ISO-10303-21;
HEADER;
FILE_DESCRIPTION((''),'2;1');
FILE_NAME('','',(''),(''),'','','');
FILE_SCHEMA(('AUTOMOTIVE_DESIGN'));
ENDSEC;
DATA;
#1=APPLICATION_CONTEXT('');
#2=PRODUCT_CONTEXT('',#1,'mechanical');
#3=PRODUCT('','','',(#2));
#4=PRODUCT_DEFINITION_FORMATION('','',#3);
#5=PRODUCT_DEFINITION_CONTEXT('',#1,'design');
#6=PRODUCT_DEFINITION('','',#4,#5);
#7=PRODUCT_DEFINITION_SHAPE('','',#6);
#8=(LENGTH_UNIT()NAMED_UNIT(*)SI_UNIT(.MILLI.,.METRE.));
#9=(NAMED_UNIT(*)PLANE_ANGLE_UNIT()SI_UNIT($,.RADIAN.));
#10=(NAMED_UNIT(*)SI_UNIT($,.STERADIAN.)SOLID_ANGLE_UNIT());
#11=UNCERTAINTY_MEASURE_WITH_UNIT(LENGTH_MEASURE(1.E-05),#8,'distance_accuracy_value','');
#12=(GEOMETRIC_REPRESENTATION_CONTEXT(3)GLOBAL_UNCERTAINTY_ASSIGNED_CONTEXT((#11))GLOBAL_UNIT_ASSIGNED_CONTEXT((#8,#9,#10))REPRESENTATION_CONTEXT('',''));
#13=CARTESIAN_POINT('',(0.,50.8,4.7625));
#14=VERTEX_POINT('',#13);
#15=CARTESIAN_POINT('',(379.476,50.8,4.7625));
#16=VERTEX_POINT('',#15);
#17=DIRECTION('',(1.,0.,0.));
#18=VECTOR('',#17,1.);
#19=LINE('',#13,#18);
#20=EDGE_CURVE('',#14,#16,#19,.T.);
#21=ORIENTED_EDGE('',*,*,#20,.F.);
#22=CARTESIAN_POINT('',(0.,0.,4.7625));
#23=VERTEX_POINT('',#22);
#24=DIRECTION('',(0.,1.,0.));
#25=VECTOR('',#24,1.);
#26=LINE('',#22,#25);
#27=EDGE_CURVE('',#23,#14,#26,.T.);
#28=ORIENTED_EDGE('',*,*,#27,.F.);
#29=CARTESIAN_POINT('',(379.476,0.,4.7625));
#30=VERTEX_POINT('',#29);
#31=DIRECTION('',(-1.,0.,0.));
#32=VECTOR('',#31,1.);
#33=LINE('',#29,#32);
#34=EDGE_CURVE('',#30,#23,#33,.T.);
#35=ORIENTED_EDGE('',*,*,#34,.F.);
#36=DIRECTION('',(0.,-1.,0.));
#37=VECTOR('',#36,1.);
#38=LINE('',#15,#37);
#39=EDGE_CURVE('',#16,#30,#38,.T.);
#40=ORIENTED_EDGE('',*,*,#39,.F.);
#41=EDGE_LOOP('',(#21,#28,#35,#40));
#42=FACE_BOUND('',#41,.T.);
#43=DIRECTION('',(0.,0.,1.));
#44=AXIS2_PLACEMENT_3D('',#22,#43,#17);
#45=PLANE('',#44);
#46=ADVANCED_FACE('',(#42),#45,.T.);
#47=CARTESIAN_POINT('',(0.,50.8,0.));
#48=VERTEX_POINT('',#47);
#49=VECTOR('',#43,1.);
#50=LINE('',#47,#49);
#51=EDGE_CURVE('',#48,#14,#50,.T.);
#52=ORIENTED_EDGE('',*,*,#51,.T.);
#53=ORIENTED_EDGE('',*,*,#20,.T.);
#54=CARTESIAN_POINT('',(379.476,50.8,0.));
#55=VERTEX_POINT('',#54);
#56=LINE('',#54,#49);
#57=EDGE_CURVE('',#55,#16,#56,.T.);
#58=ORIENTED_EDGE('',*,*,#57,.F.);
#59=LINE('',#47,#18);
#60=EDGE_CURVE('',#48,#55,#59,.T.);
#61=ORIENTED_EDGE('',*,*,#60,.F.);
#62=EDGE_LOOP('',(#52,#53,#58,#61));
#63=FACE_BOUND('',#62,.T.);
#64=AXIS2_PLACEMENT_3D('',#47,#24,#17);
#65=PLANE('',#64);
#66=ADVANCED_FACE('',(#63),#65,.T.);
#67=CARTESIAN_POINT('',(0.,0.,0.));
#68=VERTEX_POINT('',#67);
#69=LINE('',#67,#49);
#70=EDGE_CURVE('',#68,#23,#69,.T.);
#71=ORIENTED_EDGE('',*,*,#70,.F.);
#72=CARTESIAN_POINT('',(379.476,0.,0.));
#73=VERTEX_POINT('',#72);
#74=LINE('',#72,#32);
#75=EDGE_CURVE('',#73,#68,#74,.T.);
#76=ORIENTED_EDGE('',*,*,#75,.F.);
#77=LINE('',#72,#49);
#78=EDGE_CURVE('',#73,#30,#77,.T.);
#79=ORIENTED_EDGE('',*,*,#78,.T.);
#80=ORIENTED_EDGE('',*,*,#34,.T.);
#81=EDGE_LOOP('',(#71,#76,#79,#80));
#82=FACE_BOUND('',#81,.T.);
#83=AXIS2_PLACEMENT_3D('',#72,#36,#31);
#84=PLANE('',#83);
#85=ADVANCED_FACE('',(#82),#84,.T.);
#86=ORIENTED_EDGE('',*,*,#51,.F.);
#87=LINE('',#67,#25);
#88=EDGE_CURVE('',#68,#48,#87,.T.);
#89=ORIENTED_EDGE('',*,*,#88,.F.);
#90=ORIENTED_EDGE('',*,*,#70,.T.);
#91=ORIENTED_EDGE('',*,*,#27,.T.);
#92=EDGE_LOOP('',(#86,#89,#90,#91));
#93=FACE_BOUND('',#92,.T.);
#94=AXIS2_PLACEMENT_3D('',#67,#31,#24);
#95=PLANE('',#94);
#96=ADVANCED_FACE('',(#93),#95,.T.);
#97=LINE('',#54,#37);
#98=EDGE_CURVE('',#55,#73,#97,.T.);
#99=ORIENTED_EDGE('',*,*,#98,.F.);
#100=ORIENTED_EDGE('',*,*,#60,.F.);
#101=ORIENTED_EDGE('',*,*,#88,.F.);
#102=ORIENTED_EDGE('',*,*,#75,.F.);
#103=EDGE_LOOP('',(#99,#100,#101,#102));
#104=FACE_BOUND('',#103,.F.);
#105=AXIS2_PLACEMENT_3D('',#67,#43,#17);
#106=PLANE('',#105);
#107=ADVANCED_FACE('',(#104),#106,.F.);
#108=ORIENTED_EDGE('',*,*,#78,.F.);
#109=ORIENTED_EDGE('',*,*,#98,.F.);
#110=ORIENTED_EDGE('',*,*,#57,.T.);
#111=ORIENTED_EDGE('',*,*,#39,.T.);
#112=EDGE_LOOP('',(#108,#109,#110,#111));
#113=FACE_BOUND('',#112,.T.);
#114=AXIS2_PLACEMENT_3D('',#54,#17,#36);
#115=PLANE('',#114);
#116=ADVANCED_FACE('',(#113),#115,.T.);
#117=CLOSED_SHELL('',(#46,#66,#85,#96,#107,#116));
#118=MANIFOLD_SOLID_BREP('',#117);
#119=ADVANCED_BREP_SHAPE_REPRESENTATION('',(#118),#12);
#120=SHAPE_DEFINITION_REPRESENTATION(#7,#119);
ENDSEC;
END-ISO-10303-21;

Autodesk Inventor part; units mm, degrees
ref_plane "YZ Plane" through (0, 0, 0) normal (1, 0, 0) x (0, 1, 0)
ref_plane "XZ Plane" through (0, 0, 0) normal (0, 1, 0) x (-1, 0, 0)
ref_plane "XY Plane" through (0, 0, 0) normal (0, 0, 1) x (1, 0, 0)
sketch "Sketch1" plane through (0, 0, 0) normal (0, 0, 1) x (1, 0, 0)
  line L0 (0, 50.8) -> (379.476, 50.8)
  line L1 (379.476, 50.8) -> (379.476, 0)
  line L2 (379.476, 0) -> (0, 0)
  line L3 (0, 0) -> (0, 50.8)
  dimension "d0" = 50.8
  dimension "d1" = 379.476
extrude "Extrusion1" add sketch "Sketch1" along normal blind 4.7625
properties part number "m2"
